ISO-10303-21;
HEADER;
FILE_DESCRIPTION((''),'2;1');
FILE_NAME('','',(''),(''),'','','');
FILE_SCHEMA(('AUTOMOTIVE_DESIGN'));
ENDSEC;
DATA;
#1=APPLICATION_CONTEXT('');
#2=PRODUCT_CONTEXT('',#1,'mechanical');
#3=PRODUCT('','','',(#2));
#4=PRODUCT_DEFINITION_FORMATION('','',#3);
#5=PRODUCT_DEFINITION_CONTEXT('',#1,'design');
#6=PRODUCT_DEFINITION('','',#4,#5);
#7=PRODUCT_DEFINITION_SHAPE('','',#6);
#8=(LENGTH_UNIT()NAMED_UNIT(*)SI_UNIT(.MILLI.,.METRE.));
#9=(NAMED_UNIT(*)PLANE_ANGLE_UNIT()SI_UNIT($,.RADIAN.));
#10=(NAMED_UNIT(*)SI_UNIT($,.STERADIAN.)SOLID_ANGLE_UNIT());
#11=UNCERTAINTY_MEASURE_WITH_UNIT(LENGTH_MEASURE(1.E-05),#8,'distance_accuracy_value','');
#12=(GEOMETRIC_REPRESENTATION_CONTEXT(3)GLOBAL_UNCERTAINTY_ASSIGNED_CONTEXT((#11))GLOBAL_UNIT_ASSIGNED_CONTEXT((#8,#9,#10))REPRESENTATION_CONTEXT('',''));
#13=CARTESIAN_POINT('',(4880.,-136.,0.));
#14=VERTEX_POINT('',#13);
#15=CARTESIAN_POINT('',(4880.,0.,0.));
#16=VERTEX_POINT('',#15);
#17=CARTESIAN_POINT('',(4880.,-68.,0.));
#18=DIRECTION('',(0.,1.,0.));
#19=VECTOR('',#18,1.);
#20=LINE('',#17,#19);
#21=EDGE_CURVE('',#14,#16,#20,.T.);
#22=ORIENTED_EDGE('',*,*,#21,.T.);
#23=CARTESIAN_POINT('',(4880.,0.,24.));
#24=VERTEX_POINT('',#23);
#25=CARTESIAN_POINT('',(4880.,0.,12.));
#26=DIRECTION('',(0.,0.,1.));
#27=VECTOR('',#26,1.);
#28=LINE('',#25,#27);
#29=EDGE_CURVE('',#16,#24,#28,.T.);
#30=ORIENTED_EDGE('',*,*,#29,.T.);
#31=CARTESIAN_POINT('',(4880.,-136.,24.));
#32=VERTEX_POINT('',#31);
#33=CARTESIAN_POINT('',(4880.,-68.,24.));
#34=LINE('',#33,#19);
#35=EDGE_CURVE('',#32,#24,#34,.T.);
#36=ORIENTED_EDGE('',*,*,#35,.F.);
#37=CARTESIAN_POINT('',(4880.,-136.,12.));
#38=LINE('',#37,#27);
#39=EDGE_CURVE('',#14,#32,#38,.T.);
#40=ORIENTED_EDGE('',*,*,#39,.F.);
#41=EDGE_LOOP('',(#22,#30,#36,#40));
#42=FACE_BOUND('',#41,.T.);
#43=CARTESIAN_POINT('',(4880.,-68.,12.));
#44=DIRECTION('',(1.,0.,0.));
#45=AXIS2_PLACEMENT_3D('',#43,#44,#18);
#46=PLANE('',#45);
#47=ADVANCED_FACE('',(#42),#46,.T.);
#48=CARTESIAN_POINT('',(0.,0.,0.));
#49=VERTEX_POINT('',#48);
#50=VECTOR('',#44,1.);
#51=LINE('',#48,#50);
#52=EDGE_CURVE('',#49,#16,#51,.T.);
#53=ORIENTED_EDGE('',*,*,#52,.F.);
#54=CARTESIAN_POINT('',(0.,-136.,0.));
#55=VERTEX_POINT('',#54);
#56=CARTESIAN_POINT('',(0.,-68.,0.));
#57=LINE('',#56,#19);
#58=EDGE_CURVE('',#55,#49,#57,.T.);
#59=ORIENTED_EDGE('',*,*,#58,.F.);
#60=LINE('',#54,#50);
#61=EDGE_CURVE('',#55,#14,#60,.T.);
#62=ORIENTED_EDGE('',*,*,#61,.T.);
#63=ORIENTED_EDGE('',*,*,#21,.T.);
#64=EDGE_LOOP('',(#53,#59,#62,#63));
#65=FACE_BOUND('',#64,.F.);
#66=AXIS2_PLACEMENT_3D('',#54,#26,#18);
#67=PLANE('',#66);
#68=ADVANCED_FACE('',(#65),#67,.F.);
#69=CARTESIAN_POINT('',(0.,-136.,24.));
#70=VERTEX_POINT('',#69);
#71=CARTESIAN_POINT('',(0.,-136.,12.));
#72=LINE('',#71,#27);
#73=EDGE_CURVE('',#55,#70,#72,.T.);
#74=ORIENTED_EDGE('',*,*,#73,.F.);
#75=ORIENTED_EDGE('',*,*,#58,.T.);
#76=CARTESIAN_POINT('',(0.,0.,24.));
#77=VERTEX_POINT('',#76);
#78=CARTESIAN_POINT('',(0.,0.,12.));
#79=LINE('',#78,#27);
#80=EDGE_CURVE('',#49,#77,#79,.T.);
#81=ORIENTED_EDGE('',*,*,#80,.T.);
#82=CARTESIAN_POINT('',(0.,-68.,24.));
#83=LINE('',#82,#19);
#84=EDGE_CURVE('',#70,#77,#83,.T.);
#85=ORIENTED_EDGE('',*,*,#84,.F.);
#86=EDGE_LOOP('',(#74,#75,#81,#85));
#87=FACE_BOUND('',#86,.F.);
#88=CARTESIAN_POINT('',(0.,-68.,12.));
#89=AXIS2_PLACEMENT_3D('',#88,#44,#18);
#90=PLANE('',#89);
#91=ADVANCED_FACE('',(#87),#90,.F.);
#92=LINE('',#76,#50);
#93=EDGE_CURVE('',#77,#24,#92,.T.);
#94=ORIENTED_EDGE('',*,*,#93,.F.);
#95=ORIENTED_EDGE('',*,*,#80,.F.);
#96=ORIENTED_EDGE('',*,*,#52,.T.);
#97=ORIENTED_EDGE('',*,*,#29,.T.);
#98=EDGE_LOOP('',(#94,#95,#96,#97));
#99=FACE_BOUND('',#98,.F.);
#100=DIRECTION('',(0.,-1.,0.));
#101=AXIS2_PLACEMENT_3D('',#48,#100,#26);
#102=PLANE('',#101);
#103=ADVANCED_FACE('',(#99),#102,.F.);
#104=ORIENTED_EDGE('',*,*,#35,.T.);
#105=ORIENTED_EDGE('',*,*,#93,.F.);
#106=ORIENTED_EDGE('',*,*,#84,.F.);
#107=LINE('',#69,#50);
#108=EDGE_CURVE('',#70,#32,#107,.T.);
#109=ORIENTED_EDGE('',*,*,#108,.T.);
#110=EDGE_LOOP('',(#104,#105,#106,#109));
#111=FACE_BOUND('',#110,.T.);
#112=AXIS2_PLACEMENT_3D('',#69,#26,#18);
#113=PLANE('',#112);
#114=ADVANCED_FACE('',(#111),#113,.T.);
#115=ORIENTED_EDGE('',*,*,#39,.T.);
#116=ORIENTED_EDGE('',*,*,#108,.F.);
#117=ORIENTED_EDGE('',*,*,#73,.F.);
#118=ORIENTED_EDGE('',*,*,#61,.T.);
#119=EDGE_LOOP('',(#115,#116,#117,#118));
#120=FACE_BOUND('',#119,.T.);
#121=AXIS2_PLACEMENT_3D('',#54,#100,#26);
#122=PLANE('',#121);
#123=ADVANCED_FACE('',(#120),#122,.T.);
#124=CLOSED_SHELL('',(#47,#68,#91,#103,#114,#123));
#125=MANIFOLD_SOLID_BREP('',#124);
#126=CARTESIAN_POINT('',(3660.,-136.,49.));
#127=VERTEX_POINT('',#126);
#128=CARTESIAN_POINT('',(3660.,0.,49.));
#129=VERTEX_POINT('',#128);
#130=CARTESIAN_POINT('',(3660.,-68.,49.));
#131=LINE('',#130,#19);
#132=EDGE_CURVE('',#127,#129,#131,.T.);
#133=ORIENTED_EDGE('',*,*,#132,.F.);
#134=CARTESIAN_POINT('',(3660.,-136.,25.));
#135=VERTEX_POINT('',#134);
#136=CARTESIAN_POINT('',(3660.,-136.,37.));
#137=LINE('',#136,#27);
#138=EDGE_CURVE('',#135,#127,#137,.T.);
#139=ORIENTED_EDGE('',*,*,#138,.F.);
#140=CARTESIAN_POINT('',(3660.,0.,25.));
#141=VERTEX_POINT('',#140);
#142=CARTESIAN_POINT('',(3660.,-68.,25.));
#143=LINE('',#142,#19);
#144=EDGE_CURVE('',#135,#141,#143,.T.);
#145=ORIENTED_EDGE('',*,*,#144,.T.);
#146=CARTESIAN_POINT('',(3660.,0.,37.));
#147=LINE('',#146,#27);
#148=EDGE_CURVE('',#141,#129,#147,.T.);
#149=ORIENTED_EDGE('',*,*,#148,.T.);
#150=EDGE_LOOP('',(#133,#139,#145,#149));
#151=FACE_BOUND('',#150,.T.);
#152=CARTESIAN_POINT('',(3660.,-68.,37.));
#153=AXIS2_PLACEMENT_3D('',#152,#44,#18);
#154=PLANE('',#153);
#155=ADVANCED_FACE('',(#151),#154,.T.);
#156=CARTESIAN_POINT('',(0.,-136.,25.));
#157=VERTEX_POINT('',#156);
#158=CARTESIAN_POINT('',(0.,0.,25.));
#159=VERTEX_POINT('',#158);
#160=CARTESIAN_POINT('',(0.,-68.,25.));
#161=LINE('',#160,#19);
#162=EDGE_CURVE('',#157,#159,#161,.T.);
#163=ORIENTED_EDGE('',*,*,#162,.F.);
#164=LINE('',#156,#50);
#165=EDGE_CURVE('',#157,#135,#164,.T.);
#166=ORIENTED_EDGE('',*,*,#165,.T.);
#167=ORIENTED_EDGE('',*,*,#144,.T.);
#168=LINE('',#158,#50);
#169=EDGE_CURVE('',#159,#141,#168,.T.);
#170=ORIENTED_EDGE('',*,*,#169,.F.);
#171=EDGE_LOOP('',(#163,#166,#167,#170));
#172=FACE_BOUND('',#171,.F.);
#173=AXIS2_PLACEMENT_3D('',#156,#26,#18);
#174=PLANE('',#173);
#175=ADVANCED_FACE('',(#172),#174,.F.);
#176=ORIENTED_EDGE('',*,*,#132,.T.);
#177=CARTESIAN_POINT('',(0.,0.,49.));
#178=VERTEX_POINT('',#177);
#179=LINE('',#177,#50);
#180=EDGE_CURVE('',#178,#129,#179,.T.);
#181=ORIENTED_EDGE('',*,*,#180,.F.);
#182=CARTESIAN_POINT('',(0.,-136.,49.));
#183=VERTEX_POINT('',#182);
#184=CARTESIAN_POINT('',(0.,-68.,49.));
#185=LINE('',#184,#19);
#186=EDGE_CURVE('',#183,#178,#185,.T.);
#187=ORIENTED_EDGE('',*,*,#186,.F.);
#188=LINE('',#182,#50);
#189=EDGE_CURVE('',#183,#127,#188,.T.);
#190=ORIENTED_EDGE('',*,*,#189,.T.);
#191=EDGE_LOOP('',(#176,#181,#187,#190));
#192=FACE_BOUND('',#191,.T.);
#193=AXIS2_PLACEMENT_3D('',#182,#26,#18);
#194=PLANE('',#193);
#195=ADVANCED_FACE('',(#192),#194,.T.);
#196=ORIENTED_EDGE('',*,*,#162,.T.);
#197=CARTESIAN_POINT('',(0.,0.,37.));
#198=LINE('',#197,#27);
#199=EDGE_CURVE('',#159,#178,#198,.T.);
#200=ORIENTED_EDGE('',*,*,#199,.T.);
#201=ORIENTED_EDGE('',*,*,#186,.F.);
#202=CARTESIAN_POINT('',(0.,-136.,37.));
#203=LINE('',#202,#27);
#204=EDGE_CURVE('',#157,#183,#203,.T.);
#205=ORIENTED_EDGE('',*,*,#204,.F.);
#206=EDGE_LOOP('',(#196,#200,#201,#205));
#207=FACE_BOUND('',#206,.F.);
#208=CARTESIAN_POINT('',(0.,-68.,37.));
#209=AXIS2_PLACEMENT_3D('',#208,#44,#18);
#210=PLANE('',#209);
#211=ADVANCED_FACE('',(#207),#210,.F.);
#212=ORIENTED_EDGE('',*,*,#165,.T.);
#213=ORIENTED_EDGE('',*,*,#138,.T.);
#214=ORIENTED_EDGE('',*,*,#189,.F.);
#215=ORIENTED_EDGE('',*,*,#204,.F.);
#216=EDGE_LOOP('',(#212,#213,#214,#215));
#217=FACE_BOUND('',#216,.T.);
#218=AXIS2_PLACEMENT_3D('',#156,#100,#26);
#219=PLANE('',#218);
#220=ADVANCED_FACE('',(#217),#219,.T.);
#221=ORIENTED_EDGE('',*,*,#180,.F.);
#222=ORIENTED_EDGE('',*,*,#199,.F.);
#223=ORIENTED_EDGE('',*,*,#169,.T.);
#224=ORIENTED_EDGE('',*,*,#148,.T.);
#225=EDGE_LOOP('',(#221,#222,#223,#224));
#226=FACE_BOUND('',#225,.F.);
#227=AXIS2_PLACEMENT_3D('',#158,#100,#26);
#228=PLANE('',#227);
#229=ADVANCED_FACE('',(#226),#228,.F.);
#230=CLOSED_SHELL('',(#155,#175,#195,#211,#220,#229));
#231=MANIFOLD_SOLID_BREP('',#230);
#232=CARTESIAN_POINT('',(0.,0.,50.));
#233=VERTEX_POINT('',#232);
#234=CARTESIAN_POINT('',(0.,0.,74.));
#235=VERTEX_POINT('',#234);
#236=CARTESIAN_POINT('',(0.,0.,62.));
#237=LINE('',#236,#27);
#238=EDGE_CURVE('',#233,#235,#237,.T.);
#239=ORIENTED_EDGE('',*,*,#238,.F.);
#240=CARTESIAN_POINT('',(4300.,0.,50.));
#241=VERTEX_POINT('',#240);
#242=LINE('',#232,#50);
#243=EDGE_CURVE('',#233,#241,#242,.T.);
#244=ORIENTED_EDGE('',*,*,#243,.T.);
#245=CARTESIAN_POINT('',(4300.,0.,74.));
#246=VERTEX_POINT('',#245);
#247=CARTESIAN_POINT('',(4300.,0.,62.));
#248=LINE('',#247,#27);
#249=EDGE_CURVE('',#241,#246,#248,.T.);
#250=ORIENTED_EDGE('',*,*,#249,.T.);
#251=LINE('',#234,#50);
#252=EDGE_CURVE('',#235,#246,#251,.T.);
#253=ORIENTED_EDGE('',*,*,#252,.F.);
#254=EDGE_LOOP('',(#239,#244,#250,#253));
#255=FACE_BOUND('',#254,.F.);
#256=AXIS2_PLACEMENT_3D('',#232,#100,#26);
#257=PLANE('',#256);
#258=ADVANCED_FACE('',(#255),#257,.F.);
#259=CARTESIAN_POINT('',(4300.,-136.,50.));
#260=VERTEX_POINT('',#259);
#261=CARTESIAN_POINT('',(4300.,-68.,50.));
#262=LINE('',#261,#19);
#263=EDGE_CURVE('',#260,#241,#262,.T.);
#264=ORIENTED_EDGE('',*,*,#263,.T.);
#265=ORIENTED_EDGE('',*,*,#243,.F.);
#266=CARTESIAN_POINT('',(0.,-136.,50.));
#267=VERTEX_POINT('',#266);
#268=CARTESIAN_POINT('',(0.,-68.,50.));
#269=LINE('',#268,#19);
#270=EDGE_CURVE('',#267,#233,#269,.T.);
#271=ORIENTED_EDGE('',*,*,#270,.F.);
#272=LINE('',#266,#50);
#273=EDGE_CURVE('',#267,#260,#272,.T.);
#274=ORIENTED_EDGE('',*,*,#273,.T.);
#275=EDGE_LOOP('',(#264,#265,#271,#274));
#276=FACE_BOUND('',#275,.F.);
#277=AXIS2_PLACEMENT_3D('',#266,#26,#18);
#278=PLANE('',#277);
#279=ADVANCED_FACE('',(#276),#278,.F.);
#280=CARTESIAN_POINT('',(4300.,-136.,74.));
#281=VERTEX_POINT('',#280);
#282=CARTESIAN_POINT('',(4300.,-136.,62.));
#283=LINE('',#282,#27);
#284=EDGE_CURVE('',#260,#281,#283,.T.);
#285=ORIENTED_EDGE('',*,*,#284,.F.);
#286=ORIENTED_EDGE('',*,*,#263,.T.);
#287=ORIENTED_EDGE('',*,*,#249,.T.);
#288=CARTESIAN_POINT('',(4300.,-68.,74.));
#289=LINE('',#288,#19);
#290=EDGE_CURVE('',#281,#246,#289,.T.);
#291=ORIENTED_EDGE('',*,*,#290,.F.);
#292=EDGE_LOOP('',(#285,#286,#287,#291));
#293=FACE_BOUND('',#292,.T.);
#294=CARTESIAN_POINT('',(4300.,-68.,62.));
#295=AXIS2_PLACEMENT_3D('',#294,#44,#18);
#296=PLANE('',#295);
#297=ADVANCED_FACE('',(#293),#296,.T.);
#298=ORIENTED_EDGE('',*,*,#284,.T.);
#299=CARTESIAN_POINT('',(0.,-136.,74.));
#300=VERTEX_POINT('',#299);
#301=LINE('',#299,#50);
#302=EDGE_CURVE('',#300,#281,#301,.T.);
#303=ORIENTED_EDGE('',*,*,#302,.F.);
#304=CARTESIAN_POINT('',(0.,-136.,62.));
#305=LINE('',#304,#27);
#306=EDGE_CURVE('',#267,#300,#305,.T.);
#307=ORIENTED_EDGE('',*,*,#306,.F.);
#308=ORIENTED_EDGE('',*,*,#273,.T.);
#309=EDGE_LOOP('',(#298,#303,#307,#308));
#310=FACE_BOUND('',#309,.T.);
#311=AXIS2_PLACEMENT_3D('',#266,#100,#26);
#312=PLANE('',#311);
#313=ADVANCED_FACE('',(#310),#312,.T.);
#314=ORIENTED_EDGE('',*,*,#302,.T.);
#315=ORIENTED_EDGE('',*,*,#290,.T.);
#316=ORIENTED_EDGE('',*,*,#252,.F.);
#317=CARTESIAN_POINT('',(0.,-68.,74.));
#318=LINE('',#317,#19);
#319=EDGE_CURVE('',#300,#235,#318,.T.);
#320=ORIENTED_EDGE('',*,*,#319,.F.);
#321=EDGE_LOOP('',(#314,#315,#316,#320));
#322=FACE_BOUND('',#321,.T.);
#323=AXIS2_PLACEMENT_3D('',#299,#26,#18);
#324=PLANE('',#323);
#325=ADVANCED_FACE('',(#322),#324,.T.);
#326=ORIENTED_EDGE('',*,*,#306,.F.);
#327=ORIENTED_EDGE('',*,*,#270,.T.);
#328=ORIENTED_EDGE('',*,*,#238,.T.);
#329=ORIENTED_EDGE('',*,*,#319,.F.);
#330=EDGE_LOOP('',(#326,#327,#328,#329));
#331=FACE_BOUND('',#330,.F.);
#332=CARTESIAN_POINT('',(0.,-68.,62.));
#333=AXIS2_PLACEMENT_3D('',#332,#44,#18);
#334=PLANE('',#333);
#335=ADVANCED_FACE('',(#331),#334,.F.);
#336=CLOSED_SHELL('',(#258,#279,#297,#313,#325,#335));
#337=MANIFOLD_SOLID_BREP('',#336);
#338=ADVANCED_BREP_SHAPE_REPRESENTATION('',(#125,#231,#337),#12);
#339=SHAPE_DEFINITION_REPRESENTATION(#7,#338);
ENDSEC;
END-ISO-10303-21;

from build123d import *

# Parameters (mm, degrees)
F0_W     = 136
F0_H     = 24
F1_DEPTH = 4880
F2_DEPTH = 3660
F3_DEPTH = 4300


with BuildPart() as f1:
    # F0 (on Right) → F1 (new body)
    with BuildSketch(Plane.YZ):
        with Locations((-68, 12)):
            Rectangle(F0_W, F0_H)
    extrude(amount=F1_DEPTH)


with BuildPart() as f2:
    # F0 (on Right) → F2 (new body)
    with BuildSketch(Plane.YZ):
        with Locations((-68, 37)):
            Rectangle(F0_W, F0_H)
    extrude(amount=F2_DEPTH)


with BuildPart() as f3:
    # F0 (on Right) → F3 (new body)
    with BuildSketch(Plane.YZ):
        with Locations((-68, 62)):
            Rectangle(F0_W, F0_H)
    extrude(amount=F3_DEPTH)


solid = Compound([f1.part, f2.part, f3.part])
